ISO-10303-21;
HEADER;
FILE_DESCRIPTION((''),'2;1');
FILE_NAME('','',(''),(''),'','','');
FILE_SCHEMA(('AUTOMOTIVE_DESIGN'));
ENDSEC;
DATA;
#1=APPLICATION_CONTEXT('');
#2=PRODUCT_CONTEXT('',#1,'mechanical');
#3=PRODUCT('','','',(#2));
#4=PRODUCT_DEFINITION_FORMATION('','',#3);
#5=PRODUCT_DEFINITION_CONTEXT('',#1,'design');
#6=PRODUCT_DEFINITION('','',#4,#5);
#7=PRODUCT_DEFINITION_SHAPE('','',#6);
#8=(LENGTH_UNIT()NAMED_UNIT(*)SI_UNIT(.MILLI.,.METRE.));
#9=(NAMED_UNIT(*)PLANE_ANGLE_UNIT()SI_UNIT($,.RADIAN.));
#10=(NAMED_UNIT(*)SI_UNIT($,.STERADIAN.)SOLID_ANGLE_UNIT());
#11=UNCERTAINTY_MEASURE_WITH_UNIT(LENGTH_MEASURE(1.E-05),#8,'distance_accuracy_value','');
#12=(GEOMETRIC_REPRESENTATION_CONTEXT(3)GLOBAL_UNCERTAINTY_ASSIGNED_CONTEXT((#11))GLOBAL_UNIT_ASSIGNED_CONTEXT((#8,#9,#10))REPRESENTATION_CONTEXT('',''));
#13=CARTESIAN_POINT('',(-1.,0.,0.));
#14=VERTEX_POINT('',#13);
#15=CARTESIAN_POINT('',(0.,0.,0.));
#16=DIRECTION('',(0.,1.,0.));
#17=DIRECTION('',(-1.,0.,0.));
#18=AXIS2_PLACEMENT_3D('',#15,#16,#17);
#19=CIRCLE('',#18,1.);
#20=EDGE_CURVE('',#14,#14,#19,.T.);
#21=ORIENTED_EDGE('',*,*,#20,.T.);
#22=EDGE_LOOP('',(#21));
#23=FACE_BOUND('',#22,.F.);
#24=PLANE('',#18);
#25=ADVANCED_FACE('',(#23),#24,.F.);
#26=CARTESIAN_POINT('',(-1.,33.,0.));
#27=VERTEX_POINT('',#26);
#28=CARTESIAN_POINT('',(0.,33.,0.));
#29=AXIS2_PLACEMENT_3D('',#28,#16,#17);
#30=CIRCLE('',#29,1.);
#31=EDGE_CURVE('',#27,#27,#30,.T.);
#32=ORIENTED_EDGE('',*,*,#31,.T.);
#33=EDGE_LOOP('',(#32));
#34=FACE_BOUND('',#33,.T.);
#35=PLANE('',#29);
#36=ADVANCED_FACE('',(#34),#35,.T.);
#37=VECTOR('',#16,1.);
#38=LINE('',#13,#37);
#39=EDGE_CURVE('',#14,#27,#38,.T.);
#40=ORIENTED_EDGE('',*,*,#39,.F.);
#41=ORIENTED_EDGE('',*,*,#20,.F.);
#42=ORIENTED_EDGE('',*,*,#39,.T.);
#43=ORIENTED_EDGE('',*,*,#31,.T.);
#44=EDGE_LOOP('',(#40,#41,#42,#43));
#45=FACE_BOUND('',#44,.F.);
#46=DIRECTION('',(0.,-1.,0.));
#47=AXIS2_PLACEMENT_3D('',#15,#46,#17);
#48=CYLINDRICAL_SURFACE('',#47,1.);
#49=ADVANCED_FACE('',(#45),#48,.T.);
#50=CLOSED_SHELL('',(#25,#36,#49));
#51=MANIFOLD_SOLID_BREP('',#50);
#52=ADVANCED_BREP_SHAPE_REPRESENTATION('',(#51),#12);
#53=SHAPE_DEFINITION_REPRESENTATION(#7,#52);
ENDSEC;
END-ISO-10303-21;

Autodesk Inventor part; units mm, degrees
ref_plane "YZ Plane" through (0, 0, 0) normal (1, 0, 0) x (0, 1, 0)
ref_plane "XZ Plane" through (0, 0, 0) normal (0, 1, 0) x (-1, 0, 0)
ref_plane "XY Plane" through (0, 0, 0) normal (0, 0, 1) x (1, 0, 0)
sketch "Sketch1" plane through (0, 0, 0) normal (0, 1, 0) x (-1, 0, 0)
  circle A0 centre (0, 0) radius 1
  dimension "d0" = 2
extrude "Extrusion1" add sketch "Sketch1" along normal blind 33
ref_plane "Work Plane1" through (0, -30, 0) normal (0, -1, 0) x (1, 0, 0)
properties part number "LaserBeamFinal"
